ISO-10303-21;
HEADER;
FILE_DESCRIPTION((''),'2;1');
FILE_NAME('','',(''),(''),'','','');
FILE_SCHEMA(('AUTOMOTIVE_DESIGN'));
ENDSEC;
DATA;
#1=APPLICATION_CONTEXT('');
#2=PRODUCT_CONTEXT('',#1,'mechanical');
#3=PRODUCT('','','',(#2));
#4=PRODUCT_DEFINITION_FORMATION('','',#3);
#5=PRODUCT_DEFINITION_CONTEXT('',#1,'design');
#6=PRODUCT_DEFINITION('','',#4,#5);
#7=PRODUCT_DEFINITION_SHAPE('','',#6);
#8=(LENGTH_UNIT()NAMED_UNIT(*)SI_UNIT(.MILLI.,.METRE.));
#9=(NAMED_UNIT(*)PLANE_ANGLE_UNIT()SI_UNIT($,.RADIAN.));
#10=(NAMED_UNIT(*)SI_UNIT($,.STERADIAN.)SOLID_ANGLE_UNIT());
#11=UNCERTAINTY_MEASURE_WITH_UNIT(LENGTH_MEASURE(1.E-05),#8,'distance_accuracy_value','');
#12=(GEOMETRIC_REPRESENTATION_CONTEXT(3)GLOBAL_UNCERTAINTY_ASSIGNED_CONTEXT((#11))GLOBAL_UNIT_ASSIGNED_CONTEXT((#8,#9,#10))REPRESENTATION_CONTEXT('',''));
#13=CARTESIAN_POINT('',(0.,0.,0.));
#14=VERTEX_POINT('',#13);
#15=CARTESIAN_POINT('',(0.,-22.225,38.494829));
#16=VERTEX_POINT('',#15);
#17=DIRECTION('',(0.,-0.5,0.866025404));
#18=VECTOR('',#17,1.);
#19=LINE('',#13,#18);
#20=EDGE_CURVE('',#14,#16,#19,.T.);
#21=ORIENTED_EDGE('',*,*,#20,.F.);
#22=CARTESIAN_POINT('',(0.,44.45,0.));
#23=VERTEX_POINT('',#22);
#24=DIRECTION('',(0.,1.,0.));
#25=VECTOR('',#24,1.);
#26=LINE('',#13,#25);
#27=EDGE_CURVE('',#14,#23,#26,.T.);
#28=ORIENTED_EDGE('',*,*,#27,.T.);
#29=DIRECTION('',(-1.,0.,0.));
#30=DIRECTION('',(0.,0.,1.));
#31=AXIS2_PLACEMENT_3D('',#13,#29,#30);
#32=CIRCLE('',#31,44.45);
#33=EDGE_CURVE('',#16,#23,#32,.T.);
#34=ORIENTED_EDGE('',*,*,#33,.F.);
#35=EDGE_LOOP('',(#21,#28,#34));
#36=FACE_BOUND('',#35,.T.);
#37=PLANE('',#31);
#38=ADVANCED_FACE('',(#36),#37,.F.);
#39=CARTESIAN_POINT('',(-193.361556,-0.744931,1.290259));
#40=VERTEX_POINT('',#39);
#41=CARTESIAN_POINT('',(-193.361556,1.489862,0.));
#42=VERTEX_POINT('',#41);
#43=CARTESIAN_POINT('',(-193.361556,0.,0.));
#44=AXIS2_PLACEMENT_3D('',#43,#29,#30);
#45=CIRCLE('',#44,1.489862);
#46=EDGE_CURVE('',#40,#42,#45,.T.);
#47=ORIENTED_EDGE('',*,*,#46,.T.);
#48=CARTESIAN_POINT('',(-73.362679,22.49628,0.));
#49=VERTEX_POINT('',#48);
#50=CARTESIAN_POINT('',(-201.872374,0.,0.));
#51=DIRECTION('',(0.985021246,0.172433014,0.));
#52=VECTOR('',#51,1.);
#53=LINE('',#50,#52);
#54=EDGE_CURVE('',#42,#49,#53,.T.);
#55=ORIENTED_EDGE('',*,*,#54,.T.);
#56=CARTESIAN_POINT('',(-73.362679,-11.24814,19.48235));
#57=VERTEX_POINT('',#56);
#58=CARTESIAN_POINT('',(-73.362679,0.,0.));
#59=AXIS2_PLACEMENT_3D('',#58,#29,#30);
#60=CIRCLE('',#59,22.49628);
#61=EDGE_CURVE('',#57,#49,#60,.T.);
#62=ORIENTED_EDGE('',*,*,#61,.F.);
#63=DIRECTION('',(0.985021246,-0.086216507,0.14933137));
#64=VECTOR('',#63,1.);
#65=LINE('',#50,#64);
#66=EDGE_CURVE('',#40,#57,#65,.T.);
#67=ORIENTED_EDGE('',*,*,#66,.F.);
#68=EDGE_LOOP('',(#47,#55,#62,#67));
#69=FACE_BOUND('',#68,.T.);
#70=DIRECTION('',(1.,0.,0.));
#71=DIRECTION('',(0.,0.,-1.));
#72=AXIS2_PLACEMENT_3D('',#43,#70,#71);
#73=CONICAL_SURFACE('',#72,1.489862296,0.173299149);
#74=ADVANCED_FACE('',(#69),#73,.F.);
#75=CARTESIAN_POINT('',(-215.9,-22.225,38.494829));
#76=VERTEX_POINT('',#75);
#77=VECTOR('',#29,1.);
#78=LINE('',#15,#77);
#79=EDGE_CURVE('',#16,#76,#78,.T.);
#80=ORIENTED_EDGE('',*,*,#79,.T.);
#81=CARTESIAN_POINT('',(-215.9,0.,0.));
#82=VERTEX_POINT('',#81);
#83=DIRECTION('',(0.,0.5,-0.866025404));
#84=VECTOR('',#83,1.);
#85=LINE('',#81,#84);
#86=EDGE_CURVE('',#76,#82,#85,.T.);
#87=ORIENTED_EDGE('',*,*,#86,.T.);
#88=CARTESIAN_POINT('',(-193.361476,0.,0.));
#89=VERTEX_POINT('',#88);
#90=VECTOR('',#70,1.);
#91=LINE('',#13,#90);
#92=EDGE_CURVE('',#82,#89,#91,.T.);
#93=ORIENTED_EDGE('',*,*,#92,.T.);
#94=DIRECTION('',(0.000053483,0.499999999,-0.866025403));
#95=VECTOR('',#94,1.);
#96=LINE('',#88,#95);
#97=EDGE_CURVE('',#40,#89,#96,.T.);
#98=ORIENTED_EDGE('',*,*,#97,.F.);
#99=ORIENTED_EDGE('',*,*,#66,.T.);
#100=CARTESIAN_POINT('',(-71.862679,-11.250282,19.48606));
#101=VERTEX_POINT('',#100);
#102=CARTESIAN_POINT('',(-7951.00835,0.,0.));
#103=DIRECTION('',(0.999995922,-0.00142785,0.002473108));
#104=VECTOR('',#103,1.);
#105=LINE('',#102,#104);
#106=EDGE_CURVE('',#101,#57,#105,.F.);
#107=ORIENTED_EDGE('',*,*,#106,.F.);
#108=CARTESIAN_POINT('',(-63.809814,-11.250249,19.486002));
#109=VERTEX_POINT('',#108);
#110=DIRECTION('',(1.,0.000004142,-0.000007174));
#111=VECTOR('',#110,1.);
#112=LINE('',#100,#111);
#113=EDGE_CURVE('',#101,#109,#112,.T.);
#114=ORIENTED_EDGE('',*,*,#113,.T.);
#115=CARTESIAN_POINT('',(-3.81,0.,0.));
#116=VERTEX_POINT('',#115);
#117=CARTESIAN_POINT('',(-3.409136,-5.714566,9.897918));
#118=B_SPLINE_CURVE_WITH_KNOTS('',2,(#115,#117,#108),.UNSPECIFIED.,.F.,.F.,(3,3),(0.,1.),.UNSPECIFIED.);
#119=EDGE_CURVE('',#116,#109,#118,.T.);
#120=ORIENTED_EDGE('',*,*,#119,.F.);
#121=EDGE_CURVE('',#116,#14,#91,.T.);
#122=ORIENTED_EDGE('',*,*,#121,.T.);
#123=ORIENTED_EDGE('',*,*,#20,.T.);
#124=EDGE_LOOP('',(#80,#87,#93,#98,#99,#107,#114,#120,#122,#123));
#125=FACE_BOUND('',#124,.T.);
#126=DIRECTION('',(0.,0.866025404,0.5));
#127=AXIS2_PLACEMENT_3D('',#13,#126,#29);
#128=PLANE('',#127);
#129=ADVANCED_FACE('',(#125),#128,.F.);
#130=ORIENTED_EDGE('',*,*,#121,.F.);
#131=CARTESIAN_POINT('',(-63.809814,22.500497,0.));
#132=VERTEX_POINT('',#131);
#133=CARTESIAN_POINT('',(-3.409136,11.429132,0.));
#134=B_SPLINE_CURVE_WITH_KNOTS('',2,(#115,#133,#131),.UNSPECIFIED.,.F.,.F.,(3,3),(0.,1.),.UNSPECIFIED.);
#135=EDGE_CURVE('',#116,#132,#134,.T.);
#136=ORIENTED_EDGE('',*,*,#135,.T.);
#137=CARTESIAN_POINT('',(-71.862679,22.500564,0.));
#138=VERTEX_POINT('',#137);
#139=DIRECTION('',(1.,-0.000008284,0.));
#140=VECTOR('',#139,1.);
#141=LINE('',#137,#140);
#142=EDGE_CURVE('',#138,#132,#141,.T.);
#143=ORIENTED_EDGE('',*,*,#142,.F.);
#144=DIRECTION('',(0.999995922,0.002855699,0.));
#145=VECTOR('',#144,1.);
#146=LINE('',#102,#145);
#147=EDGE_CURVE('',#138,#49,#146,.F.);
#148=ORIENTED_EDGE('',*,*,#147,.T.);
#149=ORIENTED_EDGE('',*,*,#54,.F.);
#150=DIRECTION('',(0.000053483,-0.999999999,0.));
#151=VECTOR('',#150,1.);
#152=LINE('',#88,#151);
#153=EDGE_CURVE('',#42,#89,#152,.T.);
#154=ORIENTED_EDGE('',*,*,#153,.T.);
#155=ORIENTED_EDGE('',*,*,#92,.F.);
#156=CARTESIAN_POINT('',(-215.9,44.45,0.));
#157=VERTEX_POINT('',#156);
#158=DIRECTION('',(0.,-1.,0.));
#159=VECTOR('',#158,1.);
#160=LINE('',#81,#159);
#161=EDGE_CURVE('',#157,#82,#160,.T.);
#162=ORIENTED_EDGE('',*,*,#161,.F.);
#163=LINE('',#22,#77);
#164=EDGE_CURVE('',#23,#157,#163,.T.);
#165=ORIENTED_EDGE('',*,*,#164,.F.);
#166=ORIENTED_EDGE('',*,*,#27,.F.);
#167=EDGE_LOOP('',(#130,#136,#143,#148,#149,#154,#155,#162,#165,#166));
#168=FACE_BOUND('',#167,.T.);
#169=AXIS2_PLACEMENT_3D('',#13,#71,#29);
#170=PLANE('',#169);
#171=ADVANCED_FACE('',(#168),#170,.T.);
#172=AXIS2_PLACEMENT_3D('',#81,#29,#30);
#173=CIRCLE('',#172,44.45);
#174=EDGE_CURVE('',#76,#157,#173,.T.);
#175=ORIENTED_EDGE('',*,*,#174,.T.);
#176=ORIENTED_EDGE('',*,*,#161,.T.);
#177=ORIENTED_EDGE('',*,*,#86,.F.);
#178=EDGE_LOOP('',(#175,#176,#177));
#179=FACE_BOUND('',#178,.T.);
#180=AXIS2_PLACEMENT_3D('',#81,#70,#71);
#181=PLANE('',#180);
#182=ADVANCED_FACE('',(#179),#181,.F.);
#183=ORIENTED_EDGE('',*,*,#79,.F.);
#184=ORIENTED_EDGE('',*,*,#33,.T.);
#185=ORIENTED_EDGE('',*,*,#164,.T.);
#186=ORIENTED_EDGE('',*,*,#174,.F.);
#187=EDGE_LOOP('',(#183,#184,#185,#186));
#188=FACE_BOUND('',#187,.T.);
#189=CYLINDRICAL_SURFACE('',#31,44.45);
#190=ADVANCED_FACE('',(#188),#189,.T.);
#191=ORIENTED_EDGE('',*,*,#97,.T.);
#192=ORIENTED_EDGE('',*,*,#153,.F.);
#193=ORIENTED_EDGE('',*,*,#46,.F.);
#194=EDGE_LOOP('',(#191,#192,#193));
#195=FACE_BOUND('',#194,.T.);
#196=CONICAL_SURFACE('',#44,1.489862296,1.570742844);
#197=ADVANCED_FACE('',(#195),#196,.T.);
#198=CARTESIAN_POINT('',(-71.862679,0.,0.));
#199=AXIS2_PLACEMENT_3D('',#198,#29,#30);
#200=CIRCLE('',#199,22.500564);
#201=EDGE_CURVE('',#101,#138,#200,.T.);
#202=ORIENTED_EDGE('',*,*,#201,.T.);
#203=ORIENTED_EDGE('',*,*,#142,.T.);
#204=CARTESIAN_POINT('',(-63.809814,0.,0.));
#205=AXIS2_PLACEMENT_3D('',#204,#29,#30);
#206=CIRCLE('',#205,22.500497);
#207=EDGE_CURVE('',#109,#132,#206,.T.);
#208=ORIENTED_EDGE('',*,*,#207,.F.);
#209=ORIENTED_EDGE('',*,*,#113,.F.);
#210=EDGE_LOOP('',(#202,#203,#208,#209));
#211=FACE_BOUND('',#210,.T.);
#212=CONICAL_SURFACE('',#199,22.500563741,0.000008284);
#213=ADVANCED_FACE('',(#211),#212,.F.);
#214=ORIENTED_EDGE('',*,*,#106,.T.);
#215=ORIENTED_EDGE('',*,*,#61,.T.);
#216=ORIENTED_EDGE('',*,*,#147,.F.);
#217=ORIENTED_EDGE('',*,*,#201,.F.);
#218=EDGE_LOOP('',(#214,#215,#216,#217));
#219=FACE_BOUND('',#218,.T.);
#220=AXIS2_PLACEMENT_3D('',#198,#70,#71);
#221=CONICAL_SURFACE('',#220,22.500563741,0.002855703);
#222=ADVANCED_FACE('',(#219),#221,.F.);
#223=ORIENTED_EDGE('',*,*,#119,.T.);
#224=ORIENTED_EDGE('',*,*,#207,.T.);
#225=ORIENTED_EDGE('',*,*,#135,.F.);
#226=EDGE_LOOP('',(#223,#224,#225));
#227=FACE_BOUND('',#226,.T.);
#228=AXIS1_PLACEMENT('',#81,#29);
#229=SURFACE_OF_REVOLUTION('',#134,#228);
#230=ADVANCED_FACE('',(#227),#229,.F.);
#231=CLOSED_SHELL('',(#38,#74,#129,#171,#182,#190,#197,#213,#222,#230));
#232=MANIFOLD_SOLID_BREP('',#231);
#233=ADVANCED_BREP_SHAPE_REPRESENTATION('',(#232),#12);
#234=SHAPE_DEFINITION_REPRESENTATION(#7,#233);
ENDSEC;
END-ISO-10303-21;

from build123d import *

# Parameters (mm, degrees)
SKETCH1_W      = 44.45
SKETCH1_H      = 215.9
REVOLVE1_ANGLE = 120


with BuildPart() as part:
    # Sketch1 → Revolve1 (revolve)
    with BuildSketch(Plane(origin=(0, 0, 0), x_dir=(0, 1, 0), z_dir=(0, 0, 1))):
        with Locations((22.225, 107.95)):
            Rectangle(SKETCH1_W, SKETCH1_H)
    revolve(axis=Axis((0, 0, 0), (1, 0, 0)), revolution_arc=REVOLVE1_ANGLE)

    # Sketch21 → Cut-Revolve21 (revolve, cut)
    with BuildSketch(Plane(origin=(0, 0, 0), x_dir=(-1, 0, 0), z_dir=(0, 0, -1))):
        with BuildLine():
            Line((3.81, 0), (193.361475911, 0))
            Line((193.361475911, 0), (193.361555592, 1.489862296))
            Line((193.361555592, 1.489862296), (73.362678959, 22.496280175))
            Line((73.362678959, 22.496280175), (71.862679183, 22.500563741))
            Line((71.862679183, 22.500563741), (63.809813581, 22.500497032))
            add(Edge.make_bspline(
                [(3.81, 0), (3.409136339, 11.429131598), (63.809813581, 22.500497032)],
                knots=[0, 0, 0, 1, 1, 1], degree=2))
        make_face()
    revolve(axis=Axis((-215.9, 0, 0), (1, 0, 0)), mode=Mode.SUBTRACT)


solid = part.part
